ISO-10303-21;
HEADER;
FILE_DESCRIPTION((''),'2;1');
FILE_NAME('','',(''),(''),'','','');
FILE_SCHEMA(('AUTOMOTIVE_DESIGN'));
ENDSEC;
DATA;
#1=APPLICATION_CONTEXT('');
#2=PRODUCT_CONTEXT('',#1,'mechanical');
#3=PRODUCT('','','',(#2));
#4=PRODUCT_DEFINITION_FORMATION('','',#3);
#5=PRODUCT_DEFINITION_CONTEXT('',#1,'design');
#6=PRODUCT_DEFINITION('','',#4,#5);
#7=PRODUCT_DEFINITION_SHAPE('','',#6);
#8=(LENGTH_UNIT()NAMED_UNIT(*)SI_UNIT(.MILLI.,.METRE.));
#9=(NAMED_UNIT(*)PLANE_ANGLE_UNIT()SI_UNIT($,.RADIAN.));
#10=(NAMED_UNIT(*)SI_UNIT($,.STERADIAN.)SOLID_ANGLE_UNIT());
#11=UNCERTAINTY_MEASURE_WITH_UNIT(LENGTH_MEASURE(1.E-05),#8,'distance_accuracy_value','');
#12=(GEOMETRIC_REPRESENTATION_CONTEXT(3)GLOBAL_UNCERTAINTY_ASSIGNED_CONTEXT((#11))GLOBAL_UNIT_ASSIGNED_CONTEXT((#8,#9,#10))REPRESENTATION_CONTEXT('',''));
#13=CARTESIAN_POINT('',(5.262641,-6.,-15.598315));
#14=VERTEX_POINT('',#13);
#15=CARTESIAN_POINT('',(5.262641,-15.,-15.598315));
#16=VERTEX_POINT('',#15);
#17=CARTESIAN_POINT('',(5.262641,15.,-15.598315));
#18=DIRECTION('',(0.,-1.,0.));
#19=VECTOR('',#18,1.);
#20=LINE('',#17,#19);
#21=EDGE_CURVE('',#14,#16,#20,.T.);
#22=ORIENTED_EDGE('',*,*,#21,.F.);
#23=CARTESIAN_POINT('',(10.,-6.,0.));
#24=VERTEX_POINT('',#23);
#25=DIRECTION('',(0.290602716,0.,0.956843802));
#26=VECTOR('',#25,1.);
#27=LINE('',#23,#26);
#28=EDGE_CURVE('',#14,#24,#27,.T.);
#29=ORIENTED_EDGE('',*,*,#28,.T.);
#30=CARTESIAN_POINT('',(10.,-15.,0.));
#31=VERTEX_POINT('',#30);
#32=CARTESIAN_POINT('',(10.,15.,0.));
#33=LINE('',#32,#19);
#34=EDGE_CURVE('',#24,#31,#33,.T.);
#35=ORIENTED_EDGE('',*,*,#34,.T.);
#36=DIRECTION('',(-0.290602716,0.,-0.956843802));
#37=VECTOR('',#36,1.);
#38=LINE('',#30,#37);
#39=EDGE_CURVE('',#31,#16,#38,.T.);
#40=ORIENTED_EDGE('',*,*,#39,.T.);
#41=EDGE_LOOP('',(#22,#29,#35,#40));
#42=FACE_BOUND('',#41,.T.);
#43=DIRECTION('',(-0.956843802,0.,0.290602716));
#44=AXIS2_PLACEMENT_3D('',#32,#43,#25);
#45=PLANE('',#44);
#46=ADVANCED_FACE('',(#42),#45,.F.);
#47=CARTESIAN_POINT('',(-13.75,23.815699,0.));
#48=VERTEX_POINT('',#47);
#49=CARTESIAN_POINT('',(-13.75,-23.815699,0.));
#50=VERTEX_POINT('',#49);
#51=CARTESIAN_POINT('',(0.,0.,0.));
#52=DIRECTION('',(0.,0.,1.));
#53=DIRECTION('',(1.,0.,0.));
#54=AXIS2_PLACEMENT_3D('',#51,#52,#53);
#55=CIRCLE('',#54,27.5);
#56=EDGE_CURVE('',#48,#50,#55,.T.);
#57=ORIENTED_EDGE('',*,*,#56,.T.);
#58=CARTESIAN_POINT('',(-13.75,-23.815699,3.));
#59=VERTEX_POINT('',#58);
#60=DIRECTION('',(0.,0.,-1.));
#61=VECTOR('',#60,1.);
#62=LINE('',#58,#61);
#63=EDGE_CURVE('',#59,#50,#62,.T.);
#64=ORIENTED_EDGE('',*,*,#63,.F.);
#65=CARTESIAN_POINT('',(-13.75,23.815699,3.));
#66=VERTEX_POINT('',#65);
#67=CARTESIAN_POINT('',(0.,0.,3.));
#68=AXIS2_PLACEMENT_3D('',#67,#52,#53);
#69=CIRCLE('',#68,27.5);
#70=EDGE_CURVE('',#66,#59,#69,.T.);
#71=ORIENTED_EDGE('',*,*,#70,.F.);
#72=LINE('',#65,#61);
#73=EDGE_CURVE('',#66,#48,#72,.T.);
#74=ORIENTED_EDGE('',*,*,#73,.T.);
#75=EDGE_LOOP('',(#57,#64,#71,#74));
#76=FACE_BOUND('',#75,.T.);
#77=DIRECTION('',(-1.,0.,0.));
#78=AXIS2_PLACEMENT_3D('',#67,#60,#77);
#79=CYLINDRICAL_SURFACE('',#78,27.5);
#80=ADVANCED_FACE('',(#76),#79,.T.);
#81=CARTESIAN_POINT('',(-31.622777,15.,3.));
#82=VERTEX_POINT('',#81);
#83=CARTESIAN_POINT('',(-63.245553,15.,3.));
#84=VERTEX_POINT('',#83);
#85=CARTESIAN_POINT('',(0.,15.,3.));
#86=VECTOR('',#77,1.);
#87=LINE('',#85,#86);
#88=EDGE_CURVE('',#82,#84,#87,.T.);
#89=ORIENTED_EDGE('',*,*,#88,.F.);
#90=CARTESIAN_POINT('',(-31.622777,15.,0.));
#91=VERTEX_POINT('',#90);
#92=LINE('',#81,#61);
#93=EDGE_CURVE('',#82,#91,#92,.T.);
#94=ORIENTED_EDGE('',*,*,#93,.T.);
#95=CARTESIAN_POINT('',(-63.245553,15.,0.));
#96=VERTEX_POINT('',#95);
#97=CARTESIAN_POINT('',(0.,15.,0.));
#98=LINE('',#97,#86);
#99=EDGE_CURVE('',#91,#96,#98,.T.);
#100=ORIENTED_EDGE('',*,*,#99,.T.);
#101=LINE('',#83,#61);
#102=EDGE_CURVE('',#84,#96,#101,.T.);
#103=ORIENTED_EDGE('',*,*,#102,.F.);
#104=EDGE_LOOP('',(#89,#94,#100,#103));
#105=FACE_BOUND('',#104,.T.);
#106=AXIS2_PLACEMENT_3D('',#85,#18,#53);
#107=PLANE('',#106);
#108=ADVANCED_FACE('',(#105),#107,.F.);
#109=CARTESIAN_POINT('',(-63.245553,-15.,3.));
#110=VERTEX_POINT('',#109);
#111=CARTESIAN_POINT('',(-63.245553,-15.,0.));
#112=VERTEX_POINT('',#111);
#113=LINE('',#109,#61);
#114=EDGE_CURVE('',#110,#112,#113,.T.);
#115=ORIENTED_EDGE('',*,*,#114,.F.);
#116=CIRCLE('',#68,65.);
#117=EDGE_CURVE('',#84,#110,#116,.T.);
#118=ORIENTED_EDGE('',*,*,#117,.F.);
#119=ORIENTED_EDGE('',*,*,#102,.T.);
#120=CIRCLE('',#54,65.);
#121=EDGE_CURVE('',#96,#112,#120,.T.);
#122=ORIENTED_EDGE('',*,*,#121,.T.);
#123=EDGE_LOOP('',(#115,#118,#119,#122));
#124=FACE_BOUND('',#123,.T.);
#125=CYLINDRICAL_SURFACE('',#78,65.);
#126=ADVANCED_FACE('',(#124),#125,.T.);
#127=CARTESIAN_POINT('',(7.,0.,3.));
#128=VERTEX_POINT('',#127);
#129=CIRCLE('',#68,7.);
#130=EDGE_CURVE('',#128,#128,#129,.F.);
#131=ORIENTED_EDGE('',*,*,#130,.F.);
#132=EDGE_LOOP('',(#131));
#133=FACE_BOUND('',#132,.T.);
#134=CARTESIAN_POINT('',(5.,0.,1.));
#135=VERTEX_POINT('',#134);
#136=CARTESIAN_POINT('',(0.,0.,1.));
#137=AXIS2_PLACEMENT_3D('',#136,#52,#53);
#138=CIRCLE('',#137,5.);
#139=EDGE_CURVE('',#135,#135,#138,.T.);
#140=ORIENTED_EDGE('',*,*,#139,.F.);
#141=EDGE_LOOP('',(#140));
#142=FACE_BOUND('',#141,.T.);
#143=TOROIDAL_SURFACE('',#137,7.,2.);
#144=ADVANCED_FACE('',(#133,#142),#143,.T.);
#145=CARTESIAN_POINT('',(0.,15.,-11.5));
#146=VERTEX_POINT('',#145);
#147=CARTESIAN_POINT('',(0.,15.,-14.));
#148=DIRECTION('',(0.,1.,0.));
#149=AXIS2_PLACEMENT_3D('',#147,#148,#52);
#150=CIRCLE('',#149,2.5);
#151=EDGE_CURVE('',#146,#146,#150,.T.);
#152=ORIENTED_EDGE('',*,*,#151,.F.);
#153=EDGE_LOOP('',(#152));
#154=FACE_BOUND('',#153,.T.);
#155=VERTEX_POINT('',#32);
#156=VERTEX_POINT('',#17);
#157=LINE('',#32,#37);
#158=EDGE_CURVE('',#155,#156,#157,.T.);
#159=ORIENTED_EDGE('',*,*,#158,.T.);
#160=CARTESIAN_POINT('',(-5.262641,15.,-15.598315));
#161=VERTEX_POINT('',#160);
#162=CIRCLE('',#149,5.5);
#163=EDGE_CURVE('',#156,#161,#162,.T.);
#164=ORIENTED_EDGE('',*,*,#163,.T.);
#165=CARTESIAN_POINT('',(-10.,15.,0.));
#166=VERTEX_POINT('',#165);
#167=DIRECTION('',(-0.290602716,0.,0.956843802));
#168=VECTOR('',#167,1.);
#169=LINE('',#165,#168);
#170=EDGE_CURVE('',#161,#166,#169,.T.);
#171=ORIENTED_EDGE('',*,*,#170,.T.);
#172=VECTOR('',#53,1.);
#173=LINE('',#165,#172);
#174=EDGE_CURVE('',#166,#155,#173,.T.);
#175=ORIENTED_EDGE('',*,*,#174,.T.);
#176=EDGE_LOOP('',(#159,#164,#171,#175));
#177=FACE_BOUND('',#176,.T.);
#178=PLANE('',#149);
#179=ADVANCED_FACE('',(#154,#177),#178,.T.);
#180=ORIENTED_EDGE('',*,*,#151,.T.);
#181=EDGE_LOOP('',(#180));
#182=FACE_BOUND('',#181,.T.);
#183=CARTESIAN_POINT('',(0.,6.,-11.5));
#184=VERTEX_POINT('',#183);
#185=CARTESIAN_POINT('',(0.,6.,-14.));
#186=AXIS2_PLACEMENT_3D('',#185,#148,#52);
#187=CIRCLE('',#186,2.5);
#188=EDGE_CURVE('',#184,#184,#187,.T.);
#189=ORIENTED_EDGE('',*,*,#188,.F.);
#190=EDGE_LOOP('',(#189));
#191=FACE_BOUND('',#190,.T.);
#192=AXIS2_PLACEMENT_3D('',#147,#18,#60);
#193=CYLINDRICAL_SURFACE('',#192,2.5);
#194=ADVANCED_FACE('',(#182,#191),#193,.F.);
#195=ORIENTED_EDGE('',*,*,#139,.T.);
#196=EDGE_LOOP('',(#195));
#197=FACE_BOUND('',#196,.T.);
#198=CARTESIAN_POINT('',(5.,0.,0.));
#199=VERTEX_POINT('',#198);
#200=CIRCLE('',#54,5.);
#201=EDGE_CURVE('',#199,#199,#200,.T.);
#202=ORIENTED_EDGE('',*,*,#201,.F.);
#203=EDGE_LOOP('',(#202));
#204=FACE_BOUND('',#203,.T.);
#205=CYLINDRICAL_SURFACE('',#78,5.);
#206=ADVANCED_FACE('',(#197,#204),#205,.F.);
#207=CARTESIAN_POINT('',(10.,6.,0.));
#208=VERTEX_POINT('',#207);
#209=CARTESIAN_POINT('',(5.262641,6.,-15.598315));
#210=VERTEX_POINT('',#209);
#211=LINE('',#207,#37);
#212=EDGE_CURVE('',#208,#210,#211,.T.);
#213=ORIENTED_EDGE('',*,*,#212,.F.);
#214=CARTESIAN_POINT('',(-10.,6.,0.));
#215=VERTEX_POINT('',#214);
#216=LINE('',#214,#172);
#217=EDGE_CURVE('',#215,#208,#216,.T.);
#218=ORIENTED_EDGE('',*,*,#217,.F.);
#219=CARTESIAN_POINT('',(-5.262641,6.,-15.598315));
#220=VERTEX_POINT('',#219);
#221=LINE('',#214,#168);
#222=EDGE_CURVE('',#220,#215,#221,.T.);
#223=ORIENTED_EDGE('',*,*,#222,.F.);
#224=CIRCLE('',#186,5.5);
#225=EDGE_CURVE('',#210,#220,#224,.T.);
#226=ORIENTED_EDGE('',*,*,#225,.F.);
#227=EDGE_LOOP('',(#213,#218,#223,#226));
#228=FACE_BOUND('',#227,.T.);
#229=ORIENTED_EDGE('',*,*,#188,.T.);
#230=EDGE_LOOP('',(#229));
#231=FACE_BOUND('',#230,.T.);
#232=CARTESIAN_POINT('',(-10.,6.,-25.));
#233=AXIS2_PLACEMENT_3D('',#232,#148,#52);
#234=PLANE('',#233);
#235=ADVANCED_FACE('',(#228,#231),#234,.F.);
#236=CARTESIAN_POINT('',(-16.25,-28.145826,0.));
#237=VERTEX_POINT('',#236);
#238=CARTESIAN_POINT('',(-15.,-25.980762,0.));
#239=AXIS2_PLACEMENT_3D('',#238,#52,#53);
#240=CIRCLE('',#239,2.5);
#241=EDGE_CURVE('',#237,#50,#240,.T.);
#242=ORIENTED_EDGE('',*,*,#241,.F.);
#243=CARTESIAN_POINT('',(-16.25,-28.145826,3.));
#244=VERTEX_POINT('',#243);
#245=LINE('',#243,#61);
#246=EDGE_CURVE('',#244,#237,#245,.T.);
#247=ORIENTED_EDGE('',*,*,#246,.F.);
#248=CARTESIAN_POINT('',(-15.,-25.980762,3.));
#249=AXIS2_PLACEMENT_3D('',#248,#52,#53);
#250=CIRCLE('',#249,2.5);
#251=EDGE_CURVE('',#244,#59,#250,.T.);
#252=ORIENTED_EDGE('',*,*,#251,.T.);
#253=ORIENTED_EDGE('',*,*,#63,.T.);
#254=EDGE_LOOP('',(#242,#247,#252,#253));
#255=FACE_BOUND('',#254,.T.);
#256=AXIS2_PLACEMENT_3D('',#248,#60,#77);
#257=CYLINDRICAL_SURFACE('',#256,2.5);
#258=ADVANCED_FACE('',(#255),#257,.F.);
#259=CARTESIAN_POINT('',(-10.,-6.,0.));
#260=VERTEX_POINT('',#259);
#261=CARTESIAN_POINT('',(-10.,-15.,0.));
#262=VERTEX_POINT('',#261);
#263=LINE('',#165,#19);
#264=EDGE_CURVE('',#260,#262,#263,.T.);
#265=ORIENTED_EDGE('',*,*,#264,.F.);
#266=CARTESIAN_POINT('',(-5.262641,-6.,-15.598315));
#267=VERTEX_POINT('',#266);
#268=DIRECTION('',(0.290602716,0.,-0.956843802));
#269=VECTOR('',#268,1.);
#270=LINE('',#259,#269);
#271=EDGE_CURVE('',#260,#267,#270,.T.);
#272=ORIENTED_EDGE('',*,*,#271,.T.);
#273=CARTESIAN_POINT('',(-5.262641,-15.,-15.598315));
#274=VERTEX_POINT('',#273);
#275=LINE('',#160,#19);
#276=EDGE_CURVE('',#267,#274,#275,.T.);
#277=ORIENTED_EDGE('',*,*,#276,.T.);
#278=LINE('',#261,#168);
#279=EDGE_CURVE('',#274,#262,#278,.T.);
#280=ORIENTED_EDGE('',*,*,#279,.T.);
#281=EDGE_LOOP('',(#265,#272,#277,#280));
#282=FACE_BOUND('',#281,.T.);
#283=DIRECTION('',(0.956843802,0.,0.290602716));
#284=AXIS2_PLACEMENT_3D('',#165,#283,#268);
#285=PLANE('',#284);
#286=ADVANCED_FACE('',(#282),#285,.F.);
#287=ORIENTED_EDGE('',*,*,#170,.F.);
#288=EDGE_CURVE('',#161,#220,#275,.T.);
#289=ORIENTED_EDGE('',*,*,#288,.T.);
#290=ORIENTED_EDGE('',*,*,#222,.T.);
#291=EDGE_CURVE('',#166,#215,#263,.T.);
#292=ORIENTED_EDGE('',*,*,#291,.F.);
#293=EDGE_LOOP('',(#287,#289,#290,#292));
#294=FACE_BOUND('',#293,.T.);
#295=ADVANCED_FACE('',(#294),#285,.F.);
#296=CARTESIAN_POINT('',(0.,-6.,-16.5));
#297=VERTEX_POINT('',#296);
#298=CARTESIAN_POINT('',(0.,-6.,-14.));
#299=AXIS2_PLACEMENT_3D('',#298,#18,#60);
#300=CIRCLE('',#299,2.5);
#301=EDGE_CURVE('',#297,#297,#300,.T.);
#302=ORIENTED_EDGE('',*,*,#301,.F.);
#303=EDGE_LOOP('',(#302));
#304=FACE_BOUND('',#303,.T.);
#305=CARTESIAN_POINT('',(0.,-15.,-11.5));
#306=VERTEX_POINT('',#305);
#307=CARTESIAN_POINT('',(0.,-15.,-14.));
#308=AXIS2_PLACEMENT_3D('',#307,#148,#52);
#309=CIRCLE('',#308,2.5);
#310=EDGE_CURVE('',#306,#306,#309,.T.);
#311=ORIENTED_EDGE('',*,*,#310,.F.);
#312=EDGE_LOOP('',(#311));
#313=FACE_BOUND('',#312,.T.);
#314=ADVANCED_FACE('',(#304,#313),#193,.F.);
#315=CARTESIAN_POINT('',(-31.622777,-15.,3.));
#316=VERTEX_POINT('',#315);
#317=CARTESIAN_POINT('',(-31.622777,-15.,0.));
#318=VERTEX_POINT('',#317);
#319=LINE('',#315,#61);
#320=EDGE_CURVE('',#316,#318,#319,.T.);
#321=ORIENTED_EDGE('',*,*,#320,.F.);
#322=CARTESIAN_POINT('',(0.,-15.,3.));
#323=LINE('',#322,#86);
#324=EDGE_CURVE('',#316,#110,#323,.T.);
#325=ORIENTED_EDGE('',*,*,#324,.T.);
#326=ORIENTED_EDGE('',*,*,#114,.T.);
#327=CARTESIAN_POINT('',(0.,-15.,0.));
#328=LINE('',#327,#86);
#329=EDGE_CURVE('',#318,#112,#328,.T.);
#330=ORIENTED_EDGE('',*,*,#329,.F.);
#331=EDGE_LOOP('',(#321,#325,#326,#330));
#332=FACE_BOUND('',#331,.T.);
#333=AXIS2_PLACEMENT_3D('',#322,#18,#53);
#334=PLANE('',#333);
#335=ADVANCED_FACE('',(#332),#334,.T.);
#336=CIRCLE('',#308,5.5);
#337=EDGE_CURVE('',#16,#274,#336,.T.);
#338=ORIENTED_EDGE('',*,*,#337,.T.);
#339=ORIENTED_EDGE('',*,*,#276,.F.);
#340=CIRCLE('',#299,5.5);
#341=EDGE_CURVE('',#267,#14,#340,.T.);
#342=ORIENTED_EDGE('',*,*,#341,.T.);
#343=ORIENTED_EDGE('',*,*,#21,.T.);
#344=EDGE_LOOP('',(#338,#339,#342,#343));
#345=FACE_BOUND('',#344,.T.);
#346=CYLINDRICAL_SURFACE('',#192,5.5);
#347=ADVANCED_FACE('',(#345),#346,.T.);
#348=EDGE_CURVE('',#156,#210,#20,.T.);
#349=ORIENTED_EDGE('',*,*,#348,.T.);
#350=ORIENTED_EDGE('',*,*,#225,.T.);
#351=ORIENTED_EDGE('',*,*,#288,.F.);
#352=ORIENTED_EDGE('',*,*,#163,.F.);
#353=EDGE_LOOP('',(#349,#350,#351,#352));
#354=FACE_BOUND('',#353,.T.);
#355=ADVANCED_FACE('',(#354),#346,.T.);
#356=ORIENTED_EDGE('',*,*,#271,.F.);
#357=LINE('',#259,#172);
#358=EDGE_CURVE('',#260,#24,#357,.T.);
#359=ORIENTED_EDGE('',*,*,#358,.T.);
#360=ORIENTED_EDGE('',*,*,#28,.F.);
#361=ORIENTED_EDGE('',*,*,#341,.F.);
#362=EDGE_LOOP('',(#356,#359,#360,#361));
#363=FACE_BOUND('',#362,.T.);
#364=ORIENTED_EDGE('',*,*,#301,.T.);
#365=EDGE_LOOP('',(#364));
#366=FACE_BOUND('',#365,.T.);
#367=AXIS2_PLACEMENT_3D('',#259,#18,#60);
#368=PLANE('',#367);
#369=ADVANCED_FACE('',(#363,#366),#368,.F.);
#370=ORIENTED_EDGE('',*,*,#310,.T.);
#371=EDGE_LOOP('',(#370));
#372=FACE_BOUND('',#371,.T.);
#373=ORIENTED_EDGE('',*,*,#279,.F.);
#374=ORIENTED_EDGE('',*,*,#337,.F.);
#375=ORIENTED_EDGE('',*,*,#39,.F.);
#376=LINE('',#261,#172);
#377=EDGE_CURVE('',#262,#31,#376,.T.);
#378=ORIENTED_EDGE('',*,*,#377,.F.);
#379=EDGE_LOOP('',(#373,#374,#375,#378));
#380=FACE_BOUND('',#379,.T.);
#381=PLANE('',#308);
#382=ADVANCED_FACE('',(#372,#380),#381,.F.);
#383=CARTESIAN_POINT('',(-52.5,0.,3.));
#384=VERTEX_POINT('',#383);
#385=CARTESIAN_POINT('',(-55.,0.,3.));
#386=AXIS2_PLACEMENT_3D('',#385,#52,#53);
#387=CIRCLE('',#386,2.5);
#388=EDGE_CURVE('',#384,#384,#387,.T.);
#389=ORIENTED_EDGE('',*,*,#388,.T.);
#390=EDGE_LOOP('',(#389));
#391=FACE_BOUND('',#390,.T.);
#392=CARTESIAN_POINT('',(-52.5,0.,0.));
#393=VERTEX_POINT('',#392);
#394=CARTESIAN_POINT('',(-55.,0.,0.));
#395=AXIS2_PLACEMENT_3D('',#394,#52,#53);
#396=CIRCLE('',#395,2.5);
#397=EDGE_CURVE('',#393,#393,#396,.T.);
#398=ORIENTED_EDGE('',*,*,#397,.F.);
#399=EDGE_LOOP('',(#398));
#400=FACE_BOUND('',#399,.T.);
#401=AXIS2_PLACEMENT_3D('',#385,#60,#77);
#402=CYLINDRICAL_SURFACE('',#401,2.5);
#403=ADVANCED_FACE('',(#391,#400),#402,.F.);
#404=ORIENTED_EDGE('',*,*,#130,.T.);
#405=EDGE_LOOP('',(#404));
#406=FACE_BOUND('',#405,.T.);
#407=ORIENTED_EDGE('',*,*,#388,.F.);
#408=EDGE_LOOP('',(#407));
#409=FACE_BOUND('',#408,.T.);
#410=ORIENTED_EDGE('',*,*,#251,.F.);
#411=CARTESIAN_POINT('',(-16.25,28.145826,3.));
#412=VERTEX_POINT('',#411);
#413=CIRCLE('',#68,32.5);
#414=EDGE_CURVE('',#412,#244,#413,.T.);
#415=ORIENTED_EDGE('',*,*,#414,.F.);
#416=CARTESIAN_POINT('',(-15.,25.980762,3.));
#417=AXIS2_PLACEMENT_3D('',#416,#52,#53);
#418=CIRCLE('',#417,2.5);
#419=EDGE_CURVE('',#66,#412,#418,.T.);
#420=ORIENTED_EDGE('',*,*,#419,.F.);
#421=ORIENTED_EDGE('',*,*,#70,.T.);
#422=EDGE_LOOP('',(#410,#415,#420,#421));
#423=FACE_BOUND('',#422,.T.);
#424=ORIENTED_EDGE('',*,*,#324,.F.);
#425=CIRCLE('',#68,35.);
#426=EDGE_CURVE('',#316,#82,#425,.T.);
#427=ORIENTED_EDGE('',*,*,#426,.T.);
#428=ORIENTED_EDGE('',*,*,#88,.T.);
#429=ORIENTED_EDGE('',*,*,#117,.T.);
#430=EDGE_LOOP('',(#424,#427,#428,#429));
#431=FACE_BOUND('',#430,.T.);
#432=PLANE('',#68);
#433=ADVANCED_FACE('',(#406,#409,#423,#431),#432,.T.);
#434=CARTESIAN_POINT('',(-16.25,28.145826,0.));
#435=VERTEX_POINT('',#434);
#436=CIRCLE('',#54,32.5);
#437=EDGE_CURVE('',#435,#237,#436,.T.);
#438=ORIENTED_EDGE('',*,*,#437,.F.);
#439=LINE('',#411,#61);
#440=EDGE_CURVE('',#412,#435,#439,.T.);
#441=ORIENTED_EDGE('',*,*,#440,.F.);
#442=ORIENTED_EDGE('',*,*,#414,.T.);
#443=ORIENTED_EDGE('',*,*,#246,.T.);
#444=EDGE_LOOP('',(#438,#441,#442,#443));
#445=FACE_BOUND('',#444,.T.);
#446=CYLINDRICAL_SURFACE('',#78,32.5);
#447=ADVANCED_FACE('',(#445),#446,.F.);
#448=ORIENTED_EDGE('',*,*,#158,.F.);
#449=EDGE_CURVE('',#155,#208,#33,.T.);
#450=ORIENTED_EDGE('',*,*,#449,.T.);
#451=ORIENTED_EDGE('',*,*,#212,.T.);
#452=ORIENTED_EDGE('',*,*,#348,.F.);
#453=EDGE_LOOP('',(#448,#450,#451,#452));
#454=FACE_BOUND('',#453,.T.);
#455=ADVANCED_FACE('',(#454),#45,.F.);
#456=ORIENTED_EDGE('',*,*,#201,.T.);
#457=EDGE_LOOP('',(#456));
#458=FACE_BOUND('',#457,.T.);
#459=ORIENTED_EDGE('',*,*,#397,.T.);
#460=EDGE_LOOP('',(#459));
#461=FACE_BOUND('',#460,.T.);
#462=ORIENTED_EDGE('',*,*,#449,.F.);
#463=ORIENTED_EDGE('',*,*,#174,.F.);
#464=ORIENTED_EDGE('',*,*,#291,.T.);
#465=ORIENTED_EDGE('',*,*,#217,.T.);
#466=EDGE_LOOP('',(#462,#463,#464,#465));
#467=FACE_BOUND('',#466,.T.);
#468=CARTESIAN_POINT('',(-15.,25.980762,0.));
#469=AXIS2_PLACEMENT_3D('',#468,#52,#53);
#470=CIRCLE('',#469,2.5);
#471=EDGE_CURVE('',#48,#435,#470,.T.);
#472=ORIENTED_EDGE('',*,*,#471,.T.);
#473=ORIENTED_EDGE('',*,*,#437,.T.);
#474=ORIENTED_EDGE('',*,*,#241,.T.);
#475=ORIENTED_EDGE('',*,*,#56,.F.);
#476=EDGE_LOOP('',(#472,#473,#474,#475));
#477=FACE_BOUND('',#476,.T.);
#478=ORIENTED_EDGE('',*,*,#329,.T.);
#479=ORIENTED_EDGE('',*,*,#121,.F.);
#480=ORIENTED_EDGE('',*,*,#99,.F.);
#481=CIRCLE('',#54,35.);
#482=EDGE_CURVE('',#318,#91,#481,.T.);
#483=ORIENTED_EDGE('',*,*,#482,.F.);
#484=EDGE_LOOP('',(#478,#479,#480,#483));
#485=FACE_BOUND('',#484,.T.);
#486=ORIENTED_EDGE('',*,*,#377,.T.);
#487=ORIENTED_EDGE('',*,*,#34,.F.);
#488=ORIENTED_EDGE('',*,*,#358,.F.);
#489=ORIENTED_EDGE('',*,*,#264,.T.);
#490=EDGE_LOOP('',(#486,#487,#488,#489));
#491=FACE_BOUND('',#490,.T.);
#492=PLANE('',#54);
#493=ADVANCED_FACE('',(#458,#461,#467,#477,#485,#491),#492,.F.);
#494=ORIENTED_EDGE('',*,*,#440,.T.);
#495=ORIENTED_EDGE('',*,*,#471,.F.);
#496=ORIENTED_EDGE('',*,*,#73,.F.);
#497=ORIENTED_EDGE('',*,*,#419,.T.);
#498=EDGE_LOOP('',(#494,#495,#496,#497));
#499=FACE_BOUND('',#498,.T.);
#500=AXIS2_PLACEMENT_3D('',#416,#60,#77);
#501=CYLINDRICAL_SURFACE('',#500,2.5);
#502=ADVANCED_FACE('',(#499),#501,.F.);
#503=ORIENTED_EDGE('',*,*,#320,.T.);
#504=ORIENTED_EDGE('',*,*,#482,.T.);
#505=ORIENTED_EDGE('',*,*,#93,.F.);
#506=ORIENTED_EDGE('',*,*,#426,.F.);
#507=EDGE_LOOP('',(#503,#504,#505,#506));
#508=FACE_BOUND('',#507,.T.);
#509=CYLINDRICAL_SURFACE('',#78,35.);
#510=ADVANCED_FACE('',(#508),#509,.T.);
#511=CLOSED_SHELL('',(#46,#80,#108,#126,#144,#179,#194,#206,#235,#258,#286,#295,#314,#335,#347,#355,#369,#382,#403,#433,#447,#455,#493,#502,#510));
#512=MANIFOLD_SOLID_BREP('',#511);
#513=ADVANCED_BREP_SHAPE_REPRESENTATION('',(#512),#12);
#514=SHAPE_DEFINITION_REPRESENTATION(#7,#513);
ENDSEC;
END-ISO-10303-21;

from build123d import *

# Parameters (mm, degrees)
SKETCH_1_R          = 5
SKETCH_1_R_2        = 2.5
EXTRUDE_1_DEPTH     = 3
SKETCH_3_R          = 2.5
EXTRUDE_2_DEPTH     = 15
SKETCH_4_W          = 25
SKETCH_4_H          = 12
CUT_EXTRUDE_1_DEPTH = 10
FILLET_1_R          = 2


with BuildPart() as part:
    # 스케치1 → 보스-돌출1 (new body)
    with BuildSketch(Plane.XY):
        with BuildLine():
            ThreePointArc((-31.622776602, -15), (35, 0), (-31.622776602, 15))
            Line((-31.622776602, 15), (-63.245553203, 15))
            ThreePointArc((-63.245553203, 15), (-65, 0), (-63.245553203, -15))
            Line((-63.245553203, -15), (-31.622776602, -15))
        make_face()
        with BuildLine():
            ThreePointArc((-13.750000001, -23.815698604), (-12.834936371, -27.230761907), (-16.249999587, -28.145825861))
            ThreePointArc((-16.249999587, -28.145825861), (-32.5, -2.35e-07), (-16.249999995, 28.145825626))
            ThreePointArc((-16.249999995, 28.145825626), (-12.834936369, 27.230761903), (-13.750000416, 23.815698364))
            ThreePointArc((-13.750000416, 23.815698364), (-27.5, -2.4e-07), (-13.750000001, -23.815698604))
        make_face(mode=Mode.SUBTRACT)
        Circle(SKETCH_1_R, mode=Mode.SUBTRACT)
        with Locations((-55, 0)):
            Circle(SKETCH_1_R_2, mode=Mode.SUBTRACT)
    extrude(amount=EXTRUDE_1_DEPTH)

    # 스케치3 → 보스-돌출2 (add, symmetric)
    with BuildSketch(Plane(origin=(0, 0, 0), x_dir=(1, 0, 0), z_dir=(0, 1, 0))):
        with BuildLine():
            Line((-10, 0), (10, 0))
            Line((10, 0), (5.262640911, 15.598314937))
            ThreePointArc((5.262640911, 15.598314937), (0, 19.5), (-5.262640911, 15.598314937))
            Line((-5.262640911, 15.598314937), (-10, 0))
        make_face()
        with Locations(Location((0, 14, 0), (0, 0, 270))):
            Circle(SKETCH_3_R, mode=Mode.SUBTRACT)
    extrude(amount=EXTRUDE_2_DEPTH, both=True)

    # 스케치4 → 컷-돌출1 (cut, symmetric)
    with BuildSketch(Plane(origin=(0, 0, 0), x_dir=(0, 0, -1), z_dir=(1, 0, 0))):
        with Locations((12.5, 0)):
            Rectangle(SKETCH_4_W, SKETCH_4_H)
    extrude(amount=CUT_EXTRUDE_1_DEPTH, both=True, mode=Mode.SUBTRACT)

    # 필렛1
    fillet_1_edges = [part.edges().sort_by_distance(p)[0] for p in [
        (-5, 0, 3),
    ]]
    fillet(fillet_1_edges, radius=FILLET_1_R)


solid = part.part
